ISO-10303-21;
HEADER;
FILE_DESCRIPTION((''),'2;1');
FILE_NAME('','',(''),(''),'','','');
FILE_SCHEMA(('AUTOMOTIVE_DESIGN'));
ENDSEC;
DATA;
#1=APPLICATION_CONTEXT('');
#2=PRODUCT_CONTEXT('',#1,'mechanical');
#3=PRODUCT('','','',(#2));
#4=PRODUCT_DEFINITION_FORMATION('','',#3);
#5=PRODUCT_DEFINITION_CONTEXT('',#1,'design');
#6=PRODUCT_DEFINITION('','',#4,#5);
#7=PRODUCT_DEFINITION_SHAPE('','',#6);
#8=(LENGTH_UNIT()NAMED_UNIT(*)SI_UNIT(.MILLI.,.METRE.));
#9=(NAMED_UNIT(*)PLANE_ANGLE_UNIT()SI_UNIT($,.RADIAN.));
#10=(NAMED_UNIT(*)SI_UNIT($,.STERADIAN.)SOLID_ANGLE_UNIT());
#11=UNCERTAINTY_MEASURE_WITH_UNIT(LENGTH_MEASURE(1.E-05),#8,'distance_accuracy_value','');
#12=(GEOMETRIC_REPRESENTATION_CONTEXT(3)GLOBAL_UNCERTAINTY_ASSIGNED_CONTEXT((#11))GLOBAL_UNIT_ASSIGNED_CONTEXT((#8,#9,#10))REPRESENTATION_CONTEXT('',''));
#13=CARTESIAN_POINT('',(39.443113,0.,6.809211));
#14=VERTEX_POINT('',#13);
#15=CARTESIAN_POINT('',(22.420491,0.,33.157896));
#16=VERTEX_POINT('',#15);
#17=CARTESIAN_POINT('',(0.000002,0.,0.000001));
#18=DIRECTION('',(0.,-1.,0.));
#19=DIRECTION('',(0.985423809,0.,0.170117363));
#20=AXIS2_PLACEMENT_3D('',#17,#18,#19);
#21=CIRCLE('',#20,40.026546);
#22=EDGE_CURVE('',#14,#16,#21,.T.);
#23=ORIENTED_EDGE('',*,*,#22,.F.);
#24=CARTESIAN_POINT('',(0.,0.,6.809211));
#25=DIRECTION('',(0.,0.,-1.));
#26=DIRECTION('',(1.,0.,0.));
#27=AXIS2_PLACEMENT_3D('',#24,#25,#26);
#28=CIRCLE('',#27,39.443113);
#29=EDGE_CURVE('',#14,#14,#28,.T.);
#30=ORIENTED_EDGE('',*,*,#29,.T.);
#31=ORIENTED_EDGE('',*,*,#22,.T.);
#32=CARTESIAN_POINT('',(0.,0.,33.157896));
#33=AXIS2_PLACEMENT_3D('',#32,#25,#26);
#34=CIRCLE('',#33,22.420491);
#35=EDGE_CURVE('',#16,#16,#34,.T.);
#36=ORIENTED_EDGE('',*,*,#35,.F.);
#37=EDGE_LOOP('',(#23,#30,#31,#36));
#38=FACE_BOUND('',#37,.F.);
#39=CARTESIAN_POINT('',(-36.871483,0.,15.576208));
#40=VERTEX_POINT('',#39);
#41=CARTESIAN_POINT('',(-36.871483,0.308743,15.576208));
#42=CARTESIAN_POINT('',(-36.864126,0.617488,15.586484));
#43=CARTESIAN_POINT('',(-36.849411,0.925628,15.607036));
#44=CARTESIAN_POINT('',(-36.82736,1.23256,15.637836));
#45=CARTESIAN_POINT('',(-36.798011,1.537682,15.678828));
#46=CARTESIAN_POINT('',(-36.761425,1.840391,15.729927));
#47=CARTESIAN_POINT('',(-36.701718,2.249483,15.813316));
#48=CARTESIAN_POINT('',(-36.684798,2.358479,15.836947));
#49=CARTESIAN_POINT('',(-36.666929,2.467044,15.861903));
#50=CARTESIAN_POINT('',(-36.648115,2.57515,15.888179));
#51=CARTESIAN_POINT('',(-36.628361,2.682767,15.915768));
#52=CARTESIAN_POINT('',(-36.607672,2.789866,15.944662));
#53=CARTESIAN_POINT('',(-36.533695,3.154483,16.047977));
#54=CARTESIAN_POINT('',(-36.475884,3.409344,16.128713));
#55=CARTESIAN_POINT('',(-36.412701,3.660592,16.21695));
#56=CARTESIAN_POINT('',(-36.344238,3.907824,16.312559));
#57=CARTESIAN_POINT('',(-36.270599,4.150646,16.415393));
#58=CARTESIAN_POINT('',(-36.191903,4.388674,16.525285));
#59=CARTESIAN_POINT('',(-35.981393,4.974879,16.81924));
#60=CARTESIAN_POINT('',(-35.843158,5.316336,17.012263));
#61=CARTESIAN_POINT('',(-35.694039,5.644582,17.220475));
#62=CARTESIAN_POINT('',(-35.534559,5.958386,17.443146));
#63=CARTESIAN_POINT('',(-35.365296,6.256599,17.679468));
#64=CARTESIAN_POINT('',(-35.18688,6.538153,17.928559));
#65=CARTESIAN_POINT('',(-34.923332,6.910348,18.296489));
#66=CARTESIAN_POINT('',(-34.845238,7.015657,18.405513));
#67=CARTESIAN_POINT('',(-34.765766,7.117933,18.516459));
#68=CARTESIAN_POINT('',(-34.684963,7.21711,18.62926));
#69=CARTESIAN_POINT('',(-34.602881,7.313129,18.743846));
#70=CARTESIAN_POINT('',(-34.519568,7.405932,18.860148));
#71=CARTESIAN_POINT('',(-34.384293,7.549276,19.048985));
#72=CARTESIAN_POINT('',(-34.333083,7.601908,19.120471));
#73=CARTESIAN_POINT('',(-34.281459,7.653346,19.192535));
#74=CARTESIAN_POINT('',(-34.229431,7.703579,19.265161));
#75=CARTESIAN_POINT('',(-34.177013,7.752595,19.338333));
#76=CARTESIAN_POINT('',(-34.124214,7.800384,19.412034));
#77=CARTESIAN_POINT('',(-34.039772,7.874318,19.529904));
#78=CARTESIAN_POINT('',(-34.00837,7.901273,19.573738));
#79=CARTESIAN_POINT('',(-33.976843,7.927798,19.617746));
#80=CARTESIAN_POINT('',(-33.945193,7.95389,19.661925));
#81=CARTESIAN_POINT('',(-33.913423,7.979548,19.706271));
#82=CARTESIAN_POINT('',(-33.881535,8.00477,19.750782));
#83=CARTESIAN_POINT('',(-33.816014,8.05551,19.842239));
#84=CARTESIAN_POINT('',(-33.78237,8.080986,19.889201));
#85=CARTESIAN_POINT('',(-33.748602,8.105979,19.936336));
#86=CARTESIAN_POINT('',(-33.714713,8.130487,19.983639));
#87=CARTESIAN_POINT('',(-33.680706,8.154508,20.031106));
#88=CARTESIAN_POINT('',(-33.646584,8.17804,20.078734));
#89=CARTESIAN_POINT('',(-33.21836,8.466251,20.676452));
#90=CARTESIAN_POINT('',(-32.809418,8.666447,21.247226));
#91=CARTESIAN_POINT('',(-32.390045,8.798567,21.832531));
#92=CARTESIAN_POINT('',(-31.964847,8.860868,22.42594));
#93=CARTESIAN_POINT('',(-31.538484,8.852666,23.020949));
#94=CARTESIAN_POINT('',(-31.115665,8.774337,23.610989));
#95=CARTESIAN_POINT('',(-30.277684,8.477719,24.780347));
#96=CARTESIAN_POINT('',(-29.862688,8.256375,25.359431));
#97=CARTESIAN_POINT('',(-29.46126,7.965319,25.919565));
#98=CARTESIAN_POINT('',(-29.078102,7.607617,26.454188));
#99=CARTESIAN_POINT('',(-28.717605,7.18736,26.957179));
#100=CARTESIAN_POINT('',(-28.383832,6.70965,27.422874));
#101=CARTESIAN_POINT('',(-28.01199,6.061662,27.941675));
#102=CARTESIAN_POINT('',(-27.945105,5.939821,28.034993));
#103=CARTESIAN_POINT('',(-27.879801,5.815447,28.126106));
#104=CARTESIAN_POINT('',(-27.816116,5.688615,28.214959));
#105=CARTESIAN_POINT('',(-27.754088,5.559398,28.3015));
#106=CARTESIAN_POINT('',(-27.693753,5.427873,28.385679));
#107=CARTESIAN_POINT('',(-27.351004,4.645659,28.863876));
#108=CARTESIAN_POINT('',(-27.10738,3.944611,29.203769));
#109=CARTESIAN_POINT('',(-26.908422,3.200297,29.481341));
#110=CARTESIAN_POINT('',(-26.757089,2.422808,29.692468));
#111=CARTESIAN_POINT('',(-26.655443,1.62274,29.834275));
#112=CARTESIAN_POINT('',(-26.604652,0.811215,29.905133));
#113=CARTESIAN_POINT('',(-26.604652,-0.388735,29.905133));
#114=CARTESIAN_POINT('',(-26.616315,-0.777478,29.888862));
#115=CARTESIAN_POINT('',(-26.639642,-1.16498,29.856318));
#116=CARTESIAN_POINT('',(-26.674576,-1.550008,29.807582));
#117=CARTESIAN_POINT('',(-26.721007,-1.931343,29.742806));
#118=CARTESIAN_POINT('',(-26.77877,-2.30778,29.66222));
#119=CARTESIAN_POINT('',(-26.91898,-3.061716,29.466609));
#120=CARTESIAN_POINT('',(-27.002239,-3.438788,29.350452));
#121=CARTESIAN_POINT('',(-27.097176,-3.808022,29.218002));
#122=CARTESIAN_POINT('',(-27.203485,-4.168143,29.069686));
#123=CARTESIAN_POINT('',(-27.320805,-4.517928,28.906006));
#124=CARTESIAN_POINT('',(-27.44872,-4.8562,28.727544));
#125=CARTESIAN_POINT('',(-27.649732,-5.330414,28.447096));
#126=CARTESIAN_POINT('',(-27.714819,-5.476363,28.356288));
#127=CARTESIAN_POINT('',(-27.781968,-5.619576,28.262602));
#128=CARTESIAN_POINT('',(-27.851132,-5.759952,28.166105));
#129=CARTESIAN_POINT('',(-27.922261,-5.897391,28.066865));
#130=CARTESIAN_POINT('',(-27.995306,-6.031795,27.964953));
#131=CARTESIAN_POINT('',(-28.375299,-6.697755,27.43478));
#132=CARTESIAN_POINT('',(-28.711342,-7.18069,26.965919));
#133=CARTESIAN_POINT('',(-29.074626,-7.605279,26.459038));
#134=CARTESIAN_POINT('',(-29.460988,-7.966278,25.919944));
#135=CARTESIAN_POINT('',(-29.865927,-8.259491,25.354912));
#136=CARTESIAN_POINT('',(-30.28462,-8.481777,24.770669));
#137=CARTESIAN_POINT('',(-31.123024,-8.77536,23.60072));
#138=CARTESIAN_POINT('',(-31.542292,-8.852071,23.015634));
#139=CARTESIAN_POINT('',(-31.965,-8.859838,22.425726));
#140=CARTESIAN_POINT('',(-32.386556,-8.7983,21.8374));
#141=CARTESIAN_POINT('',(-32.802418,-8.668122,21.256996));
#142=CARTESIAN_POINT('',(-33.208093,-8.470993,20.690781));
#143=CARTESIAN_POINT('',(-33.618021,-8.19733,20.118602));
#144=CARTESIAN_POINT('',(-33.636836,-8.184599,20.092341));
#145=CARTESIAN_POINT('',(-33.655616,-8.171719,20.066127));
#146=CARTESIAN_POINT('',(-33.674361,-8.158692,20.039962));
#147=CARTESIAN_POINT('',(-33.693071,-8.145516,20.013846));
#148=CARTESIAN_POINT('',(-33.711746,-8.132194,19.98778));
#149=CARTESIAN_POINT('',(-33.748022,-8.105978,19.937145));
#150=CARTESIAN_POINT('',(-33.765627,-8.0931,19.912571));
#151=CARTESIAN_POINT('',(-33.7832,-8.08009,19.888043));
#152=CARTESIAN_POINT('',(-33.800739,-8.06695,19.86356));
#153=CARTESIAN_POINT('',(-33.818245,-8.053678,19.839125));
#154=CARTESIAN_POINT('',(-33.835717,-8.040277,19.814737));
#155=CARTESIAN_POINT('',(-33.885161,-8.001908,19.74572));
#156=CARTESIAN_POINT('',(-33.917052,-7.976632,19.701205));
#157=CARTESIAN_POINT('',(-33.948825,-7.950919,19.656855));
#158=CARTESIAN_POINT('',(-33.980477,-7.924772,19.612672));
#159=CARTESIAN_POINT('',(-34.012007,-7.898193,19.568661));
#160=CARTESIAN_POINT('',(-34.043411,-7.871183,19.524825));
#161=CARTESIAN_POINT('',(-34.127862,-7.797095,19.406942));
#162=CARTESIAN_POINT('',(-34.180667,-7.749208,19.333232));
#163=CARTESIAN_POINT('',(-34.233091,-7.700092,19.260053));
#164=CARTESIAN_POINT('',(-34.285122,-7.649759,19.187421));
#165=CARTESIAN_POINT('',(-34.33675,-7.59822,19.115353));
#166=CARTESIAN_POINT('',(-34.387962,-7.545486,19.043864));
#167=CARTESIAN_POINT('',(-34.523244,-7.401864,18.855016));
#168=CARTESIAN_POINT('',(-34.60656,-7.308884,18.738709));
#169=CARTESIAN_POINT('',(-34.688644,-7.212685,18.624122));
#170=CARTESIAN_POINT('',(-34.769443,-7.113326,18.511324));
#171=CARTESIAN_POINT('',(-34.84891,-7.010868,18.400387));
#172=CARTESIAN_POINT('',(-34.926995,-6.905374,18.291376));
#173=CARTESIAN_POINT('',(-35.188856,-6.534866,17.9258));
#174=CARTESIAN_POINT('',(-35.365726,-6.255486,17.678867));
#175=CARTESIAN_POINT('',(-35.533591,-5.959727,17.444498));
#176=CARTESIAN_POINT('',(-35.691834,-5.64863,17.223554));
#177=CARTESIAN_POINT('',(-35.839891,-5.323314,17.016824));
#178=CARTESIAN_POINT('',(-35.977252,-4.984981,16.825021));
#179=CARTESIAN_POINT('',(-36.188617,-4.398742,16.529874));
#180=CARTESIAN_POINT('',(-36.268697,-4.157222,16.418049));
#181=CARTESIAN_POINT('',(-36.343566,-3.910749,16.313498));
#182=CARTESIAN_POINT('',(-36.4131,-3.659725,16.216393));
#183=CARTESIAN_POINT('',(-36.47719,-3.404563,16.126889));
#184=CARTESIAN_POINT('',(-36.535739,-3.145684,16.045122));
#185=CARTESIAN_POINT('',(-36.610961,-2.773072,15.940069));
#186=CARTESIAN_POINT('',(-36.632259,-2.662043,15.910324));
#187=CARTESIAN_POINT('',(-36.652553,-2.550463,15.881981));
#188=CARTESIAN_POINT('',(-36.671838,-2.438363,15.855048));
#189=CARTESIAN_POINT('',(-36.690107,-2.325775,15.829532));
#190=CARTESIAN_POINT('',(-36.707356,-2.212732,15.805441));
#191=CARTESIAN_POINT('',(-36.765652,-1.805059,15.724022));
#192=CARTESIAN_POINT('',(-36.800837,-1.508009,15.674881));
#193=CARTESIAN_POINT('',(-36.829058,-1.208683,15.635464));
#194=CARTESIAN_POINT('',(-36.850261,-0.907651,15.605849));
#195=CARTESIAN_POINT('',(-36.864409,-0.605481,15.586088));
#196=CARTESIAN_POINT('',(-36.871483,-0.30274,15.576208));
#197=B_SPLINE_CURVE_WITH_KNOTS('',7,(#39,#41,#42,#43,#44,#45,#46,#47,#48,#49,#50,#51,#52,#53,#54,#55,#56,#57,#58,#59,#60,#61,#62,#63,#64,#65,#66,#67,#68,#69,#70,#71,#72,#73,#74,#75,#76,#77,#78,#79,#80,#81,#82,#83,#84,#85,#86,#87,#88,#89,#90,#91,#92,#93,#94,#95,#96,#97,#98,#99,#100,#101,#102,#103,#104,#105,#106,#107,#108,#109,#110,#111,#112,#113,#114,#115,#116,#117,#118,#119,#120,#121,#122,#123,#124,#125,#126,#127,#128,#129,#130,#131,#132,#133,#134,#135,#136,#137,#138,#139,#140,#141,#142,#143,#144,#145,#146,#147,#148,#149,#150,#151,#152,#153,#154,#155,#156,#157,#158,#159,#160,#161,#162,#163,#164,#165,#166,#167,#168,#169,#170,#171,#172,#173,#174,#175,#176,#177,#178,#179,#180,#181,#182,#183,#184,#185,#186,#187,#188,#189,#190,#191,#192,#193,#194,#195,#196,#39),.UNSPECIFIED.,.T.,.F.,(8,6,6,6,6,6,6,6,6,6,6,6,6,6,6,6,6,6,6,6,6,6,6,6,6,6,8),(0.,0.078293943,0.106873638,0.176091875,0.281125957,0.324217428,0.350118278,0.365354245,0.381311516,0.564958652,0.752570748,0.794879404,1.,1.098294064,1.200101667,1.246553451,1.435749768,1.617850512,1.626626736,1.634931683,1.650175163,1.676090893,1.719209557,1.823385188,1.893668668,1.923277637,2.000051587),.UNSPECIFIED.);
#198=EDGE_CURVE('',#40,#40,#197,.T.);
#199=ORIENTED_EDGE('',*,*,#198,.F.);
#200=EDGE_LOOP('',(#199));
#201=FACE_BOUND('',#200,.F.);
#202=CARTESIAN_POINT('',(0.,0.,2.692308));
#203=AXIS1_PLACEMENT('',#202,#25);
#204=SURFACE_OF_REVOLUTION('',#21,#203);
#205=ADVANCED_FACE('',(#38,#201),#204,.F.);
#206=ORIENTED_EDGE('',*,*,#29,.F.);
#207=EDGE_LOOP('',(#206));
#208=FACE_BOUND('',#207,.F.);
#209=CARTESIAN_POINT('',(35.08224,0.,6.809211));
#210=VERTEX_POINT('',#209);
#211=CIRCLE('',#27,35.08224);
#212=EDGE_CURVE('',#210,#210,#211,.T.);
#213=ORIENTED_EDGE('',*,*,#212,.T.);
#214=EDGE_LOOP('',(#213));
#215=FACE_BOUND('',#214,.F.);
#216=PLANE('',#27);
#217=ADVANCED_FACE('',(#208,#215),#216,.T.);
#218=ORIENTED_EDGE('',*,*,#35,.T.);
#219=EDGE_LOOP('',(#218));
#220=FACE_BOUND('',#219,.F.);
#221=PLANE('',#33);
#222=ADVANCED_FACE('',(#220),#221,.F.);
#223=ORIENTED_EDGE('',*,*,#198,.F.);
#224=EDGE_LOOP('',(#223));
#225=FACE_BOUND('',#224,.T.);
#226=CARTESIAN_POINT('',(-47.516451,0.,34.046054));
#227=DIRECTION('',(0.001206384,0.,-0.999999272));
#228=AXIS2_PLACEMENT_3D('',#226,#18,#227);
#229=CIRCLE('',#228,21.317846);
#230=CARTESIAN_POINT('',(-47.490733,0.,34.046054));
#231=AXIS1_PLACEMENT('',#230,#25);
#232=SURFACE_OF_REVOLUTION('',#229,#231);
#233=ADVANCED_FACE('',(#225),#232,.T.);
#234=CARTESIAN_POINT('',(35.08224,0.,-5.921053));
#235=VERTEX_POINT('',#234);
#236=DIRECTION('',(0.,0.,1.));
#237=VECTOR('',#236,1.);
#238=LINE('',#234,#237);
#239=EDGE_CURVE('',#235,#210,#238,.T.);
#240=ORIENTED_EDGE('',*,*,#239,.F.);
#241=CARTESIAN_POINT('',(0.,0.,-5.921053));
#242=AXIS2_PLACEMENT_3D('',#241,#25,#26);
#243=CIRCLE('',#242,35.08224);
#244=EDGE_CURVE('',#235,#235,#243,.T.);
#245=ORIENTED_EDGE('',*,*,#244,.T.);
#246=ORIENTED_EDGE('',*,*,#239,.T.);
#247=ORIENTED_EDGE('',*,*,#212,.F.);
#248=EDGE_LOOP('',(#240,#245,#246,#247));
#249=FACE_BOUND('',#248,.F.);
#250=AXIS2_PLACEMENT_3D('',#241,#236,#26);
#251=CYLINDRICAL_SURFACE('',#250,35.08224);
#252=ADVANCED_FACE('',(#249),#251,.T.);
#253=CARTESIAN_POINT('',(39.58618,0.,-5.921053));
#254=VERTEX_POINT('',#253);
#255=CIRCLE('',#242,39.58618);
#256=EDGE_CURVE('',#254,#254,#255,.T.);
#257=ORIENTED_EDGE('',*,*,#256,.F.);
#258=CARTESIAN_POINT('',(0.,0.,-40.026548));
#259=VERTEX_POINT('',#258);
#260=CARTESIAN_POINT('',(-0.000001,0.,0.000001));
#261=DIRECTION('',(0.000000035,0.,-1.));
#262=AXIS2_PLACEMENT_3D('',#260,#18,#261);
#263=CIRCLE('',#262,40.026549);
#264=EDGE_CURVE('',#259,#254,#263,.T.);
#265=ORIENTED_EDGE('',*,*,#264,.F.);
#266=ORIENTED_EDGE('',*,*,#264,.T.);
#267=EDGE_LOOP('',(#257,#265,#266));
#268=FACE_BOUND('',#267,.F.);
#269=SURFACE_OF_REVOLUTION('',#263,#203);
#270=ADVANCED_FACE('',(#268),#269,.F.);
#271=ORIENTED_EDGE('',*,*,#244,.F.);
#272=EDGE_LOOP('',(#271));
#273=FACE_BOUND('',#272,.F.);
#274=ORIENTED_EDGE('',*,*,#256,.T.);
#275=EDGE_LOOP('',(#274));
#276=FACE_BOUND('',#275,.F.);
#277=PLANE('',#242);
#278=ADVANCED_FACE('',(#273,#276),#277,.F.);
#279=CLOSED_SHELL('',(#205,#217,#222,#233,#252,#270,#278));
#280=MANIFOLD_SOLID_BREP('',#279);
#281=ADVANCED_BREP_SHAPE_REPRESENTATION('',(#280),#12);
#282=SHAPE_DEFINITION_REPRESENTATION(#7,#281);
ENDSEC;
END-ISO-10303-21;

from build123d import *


with BuildPart() as f1:
    # F0 (on Front) → F1 (revolve)
    with BuildSketch(Plane.XZ):
        with BuildLine():
            Line((0, 33.157896), (0, -40.026548))
            ThreePointArc((0, -40.026548), (26.125899, -30.324279), (39.58618, -5.921053))
            Line((39.58618, -5.921053), (35.08224, -5.921053))
            Line((35.08224, -5.921053), (35.08224, 6.809211))
            Line((35.08224, 6.809211), (39.443113, 6.809211))
            ThreePointArc((39.443113, 6.809211), (33.620525, 21.720608), (22.420491, 33.157896))
            Line((22.420491, 33.157896), (0, 33.157896))
        make_face()
    revolve(axis=Axis((0, 0, 2.692308), (0, 0, -1)))

    # F2 (on Front) → F3 (revolve, cut)
    with BuildSketch(Plane.XZ):
        with BuildLine():
            Line((-47.490733, 55.363884), (-47.490733, 12.728224))
            ThreePointArc((-47.490733, 12.728224), (-26.198605, 34.046054), (-47.490733, 55.363884))
        make_face()
    revolve(axis=Axis((-47.490733, 0, 34.046054), (0, 0, -1)), mode=Mode.SUBTRACT)


solid = f1.part
